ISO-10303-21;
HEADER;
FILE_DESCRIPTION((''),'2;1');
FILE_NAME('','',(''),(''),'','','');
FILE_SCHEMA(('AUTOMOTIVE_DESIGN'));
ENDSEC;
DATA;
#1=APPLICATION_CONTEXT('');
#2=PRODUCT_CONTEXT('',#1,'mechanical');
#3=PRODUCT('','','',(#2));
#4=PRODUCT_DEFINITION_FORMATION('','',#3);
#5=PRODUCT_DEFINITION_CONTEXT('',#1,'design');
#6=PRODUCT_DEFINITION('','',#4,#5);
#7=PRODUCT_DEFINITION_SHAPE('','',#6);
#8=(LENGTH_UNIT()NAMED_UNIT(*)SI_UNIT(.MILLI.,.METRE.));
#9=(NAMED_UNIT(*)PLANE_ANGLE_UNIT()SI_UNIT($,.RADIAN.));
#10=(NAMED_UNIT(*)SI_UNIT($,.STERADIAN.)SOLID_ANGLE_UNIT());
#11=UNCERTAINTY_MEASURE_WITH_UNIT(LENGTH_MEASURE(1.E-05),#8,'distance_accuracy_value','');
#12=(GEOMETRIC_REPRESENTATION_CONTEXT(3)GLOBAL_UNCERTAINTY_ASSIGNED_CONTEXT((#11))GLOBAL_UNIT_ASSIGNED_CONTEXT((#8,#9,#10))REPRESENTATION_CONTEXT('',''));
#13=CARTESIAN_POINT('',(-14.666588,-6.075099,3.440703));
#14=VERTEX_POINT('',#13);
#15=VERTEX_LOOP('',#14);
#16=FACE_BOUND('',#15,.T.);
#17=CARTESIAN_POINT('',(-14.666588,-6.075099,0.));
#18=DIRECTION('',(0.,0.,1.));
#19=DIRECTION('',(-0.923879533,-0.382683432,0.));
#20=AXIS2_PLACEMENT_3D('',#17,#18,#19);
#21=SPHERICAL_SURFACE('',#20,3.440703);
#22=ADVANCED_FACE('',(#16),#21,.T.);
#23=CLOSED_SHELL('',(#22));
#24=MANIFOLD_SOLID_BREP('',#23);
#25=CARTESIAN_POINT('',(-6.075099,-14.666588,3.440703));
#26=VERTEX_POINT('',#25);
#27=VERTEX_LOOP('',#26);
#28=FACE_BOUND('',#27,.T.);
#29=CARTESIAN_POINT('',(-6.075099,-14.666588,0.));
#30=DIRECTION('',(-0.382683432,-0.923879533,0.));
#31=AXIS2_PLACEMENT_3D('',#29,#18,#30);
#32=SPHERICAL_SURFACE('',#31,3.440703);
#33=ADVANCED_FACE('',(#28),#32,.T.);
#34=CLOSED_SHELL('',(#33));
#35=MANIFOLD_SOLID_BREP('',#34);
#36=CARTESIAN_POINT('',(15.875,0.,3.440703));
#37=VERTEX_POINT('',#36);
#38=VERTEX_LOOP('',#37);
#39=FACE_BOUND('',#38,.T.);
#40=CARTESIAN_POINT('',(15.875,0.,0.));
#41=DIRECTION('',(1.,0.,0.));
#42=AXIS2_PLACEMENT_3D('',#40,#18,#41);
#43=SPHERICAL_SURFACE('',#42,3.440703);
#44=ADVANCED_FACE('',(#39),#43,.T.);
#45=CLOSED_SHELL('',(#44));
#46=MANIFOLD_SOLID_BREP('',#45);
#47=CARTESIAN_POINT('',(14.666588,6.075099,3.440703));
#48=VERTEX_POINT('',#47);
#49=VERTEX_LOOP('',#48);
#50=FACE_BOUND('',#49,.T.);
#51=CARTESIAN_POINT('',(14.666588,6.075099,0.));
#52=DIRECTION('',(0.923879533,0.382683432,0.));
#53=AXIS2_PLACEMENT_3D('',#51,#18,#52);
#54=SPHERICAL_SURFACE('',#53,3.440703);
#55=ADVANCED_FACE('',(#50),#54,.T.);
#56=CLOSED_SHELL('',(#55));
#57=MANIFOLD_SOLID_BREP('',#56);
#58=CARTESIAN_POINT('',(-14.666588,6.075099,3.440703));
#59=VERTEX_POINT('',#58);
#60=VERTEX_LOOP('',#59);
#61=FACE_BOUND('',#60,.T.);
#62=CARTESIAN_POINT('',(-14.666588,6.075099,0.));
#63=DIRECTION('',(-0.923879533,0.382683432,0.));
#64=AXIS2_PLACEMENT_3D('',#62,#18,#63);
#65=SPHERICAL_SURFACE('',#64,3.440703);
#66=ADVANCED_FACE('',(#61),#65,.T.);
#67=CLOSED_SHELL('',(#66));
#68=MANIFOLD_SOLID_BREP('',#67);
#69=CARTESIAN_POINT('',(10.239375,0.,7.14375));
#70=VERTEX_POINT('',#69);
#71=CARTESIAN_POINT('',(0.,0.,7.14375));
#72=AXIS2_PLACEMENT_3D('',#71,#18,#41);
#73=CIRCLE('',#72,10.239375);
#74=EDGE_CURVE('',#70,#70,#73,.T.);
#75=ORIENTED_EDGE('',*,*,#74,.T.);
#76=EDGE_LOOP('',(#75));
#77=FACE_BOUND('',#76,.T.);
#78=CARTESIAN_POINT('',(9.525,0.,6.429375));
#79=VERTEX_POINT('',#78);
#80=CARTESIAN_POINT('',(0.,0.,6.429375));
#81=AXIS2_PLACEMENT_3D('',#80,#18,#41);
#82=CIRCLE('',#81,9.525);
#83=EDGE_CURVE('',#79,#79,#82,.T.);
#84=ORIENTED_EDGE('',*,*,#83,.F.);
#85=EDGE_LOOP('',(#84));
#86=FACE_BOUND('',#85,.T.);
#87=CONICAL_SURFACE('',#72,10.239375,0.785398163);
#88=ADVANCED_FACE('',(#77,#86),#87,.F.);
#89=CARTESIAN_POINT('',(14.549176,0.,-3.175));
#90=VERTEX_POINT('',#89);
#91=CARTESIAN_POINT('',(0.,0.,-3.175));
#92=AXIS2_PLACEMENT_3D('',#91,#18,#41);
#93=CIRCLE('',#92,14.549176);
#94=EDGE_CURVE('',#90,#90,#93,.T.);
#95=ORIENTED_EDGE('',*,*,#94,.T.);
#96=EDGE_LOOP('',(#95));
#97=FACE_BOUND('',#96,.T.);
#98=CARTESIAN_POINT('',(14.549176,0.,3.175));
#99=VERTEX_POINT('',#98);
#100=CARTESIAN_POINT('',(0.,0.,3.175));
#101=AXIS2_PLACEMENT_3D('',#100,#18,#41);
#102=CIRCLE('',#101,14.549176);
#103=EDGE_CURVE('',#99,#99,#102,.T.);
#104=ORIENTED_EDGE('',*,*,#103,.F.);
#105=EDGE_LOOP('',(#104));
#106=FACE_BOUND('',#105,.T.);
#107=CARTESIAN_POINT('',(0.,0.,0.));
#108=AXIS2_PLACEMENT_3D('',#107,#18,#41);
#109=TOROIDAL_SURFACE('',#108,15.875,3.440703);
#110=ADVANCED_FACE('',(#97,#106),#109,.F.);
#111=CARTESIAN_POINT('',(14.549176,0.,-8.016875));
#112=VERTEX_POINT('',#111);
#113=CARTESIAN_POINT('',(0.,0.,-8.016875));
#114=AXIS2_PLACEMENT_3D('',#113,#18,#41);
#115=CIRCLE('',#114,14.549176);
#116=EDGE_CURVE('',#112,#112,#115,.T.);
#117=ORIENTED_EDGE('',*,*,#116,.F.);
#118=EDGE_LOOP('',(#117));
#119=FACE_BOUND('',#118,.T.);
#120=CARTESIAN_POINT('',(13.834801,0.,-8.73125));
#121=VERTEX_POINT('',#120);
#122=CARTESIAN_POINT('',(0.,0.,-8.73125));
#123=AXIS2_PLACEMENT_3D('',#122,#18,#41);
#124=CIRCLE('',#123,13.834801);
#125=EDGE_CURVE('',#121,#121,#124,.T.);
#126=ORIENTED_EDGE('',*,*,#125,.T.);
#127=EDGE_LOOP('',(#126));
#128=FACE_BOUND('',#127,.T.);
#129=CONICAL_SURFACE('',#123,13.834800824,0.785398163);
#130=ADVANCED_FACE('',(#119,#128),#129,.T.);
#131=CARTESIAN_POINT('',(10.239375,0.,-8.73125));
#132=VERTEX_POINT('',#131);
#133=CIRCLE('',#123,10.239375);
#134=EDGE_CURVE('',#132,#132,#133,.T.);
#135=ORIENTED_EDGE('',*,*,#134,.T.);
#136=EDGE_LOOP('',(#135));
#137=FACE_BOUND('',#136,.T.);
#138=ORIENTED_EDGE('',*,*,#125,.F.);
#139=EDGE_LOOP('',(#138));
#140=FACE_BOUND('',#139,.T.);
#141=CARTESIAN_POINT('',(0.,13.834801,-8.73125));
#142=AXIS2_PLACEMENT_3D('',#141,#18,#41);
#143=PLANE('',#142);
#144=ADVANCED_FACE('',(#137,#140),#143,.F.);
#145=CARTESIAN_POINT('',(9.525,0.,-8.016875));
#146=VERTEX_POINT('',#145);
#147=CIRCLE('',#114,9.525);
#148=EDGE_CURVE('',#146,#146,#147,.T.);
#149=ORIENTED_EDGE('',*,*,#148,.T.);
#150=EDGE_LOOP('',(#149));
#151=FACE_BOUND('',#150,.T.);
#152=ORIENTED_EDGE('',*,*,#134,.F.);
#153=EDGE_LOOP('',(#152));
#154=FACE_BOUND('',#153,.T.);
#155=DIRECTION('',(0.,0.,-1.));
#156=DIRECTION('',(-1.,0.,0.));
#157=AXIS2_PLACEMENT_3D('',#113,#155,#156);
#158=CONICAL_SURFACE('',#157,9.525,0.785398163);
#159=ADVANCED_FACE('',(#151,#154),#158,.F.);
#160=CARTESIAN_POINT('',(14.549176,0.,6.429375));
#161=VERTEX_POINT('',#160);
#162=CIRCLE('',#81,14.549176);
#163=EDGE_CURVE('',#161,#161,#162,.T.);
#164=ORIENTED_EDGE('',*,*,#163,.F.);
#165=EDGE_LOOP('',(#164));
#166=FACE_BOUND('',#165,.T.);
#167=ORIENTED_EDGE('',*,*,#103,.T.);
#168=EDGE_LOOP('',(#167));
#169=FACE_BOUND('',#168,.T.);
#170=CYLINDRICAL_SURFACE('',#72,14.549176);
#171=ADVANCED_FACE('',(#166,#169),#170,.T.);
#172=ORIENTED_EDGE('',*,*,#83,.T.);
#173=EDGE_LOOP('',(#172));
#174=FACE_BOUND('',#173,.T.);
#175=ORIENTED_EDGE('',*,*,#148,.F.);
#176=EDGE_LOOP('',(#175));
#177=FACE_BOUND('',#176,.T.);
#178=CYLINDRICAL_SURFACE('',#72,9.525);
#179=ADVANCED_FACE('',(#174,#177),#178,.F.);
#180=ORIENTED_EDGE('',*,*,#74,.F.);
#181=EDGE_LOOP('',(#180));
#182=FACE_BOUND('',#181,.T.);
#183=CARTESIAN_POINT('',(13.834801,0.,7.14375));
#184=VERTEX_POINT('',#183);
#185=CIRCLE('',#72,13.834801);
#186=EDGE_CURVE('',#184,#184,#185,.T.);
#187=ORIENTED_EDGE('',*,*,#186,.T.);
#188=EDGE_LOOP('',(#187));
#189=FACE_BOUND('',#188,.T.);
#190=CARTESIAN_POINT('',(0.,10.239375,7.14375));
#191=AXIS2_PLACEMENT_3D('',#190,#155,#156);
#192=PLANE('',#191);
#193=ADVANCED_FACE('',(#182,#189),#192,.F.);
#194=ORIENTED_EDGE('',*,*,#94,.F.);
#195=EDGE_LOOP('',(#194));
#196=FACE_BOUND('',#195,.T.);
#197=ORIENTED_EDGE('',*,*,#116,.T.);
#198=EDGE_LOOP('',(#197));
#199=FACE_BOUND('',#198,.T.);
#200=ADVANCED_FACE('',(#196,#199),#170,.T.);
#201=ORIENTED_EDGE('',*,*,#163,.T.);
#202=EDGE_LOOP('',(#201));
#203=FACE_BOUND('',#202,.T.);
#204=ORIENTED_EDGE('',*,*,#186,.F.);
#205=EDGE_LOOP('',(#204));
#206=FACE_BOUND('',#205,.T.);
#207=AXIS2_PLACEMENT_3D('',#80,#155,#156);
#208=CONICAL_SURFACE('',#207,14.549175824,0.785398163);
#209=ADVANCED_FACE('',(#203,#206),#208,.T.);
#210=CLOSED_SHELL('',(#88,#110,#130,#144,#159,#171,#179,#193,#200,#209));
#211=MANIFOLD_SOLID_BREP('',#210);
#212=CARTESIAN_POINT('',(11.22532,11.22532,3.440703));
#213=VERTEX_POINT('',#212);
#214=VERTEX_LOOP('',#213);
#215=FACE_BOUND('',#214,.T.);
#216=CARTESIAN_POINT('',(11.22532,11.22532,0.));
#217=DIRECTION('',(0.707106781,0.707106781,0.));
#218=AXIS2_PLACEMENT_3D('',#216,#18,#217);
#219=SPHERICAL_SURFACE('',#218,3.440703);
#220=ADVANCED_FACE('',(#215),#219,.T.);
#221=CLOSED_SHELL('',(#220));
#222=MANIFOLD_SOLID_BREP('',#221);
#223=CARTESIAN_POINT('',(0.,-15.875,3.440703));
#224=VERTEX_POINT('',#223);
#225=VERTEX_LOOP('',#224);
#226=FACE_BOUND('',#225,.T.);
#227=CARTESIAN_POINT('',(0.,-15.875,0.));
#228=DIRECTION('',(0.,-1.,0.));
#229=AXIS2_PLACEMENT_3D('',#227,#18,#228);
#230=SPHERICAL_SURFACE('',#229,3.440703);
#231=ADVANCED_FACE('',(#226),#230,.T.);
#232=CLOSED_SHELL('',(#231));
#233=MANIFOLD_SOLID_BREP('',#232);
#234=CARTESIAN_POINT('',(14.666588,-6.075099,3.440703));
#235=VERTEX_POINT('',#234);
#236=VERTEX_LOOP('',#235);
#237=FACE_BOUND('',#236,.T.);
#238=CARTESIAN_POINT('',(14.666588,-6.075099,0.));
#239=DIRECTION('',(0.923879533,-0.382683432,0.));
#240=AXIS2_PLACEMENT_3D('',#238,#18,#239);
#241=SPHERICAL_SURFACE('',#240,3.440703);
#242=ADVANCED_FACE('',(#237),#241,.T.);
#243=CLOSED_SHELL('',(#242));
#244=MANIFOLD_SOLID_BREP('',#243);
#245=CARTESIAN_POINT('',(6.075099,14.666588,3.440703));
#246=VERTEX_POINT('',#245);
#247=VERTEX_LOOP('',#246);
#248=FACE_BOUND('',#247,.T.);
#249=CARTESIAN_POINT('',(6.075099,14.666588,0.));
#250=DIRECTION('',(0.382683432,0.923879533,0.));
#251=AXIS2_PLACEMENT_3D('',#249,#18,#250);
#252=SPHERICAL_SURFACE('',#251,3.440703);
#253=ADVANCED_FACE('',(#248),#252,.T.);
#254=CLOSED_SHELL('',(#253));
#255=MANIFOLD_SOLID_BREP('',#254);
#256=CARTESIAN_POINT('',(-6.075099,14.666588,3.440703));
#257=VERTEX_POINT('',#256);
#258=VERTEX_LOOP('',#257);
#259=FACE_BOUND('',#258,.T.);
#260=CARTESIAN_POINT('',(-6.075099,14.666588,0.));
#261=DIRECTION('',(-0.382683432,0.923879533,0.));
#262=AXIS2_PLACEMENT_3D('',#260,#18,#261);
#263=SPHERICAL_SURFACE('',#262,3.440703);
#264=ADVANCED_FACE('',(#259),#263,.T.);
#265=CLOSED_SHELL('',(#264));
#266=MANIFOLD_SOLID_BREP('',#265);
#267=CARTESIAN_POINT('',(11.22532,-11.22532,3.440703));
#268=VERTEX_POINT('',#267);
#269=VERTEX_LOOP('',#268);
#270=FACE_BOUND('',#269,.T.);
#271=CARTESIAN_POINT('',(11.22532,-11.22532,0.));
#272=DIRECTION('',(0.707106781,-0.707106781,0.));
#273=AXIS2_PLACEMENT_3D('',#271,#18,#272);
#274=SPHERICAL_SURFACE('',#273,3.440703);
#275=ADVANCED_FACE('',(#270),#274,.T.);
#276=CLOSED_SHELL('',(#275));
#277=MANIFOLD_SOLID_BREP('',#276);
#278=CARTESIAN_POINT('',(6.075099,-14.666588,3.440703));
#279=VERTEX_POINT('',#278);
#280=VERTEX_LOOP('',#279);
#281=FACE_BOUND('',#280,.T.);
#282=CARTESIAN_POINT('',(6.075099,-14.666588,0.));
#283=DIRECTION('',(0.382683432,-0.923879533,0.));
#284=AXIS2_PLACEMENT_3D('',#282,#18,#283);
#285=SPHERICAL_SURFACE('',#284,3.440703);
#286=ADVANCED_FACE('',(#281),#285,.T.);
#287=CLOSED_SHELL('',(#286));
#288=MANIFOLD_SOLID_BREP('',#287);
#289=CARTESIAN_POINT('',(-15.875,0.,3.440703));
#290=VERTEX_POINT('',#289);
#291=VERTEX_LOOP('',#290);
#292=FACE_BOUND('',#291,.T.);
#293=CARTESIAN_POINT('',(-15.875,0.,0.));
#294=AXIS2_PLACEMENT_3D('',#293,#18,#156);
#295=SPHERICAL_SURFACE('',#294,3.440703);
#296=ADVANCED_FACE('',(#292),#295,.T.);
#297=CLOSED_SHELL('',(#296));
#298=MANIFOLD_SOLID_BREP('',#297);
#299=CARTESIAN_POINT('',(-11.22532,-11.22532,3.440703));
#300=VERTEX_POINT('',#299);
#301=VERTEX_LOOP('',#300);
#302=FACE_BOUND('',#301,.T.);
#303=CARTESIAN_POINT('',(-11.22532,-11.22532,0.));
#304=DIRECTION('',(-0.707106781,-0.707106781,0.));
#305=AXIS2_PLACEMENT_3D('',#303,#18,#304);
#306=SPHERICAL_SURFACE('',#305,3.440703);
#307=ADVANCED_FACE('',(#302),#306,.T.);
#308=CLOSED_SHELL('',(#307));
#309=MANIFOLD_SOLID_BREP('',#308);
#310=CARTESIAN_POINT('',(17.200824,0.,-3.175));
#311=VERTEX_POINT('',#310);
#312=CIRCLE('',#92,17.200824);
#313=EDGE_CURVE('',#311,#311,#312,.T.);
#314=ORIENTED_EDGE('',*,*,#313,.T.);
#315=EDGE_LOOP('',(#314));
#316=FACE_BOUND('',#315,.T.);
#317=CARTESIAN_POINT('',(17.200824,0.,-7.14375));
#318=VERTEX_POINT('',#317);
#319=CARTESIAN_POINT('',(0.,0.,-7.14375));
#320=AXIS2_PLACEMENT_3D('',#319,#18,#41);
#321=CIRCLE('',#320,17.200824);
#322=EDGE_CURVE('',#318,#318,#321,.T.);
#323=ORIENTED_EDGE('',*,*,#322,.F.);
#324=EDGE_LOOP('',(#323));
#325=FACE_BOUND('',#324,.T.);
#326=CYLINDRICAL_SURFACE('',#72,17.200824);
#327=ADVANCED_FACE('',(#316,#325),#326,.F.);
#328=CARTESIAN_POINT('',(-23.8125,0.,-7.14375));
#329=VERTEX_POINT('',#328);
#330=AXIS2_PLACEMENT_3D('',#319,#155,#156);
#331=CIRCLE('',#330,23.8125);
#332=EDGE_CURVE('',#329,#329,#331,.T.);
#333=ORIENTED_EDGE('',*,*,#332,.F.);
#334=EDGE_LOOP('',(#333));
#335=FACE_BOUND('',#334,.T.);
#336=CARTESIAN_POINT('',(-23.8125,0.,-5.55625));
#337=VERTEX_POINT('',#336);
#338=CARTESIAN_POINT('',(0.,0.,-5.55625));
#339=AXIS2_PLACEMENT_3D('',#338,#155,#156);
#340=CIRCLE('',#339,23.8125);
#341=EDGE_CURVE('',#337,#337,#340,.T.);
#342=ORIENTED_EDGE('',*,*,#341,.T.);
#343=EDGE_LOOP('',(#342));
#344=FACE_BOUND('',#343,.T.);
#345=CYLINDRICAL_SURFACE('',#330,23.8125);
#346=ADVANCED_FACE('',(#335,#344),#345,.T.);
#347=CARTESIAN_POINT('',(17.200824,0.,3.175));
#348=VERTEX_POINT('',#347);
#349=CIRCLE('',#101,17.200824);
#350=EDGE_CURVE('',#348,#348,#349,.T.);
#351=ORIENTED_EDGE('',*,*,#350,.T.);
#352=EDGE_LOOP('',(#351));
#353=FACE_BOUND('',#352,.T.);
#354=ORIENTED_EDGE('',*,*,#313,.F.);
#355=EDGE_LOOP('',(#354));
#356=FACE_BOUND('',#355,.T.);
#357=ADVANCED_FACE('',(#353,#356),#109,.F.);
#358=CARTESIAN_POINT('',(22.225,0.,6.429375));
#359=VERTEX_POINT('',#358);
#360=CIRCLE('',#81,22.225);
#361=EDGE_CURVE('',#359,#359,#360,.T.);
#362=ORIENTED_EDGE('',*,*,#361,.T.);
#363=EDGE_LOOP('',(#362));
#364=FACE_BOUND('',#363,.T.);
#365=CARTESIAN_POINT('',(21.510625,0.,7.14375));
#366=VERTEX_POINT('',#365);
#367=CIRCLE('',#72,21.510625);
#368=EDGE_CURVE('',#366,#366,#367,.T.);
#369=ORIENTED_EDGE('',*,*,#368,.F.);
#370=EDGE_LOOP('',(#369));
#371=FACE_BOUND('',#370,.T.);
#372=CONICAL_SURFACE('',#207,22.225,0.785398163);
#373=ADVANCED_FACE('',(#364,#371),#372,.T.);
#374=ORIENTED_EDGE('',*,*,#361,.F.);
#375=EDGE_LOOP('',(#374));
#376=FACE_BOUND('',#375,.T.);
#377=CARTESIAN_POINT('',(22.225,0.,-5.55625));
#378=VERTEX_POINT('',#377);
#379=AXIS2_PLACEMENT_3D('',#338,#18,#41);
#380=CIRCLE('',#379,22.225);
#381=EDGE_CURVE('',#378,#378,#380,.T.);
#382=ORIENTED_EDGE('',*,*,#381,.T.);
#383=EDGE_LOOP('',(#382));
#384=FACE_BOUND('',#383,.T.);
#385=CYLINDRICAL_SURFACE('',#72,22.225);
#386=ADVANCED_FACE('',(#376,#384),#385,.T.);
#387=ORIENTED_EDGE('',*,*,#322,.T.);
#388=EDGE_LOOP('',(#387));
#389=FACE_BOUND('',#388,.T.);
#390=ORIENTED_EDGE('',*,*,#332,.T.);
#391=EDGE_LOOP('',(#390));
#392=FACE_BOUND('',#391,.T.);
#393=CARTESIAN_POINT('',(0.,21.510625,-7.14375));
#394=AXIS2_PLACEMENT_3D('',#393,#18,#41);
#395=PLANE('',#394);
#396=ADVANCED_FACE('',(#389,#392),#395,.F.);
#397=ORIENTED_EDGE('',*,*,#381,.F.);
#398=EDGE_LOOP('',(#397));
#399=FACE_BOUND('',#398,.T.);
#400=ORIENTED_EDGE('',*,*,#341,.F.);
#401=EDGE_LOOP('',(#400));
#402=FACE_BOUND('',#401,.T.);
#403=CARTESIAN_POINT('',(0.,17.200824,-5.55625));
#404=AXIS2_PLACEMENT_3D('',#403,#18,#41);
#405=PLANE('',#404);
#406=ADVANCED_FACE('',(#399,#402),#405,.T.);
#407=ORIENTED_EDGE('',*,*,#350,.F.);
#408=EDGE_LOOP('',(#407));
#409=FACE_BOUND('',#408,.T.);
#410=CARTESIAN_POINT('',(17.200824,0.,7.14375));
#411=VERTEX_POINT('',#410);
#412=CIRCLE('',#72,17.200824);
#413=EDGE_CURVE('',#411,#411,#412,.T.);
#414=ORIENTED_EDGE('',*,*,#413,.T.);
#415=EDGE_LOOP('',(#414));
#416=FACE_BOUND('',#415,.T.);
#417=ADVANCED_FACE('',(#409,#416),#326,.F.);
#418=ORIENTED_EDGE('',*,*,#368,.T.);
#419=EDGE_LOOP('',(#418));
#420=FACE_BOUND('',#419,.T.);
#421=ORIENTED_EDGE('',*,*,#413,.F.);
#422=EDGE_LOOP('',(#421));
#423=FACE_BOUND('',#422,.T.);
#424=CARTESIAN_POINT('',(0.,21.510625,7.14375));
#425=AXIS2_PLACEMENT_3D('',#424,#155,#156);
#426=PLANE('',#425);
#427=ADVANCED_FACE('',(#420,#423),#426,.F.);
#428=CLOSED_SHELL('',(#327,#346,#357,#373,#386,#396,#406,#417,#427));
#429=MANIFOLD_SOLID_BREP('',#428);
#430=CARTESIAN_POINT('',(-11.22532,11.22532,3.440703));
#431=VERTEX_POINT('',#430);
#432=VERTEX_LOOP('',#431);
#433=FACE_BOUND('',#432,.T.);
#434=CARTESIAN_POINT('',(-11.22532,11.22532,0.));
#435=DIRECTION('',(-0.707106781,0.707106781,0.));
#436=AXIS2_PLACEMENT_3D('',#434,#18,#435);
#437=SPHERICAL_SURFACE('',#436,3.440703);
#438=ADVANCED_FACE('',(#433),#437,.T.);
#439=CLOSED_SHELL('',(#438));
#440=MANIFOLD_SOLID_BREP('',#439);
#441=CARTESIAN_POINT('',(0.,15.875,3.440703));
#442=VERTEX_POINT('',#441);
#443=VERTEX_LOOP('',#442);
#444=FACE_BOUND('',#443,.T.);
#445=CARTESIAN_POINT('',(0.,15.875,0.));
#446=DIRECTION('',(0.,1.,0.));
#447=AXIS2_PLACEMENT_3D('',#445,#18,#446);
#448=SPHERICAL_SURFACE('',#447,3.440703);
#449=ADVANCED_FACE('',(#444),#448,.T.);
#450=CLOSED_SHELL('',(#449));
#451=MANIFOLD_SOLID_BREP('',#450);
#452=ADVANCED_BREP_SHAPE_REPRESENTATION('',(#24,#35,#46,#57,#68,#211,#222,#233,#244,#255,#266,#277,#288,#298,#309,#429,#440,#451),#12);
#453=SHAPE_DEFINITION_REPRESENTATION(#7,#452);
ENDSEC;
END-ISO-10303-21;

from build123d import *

# Parameters (mm, degrees)
CIRPATTERN1_COUNT = 16
SKETCH6_W         = 1.5875
SKETCH6_H         = 6.611675824


with BuildPart() as part:
    # Sketch1 → Revolve1 (revolve)
    with BuildSketch(Plane(origin=(0, 0, 0), x_dir=(0, 0, -1), z_dir=(1, 0, 0))):
        with BuildLine():
            Line((6.429375, 22.225), (-6.429375, 22.225))
            Line((-6.429375, 22.225), (-7.14375, 21.510625))
            Line((-7.14375, 21.510625), (-7.14375, 17.200824176))
            Line((-7.14375, 17.200824176), (-3.175, 17.200824176))
            ThreePointArc((-3.175, 17.200824176), (0, 19.315702653), (3.175, 17.200824176))
            Line((3.175, 17.200824176), (7.14375, 17.200824176))
            Line((7.14375, 17.200824176), (7.14375, 21.510625))
            Line((7.14375, 21.510625), (6.429375, 22.225))
        make_face()
    revolve(axis=Axis((0, 0, 7.14375), (0, 0, -1)))

    # Sketch6 → Revolve6 (revolve)
    with BuildSketch(Plane(origin=(0, 0, 0), x_dir=(0, 0, -1), z_dir=(1, 0, 0))):
        with Locations((6.35, 20.506662088)):
            Rectangle(SKETCH6_W, SKETCH6_H)
    revolve(axis=Axis((0, 0, -7.14375), (0, 0, 1)))


with BuildPart() as body_2:
    # Sketch3 → Revolve3 (revolve)
    with BuildSketch(Plane(origin=(0, 0, 0), x_dir=(0, 0, -1), z_dir=(1, 0, 0))):
        with BuildLine():
            Line((-7.14375, 10.239375), (-7.14375, 13.834800824))
            Line((-7.14375, 13.834800824), (-6.429375, 14.549175824))
            Line((-6.429375, 14.549175824), (-3.175, 14.549175824))
            ThreePointArc((-3.175, 14.549175824), (0, 12.434297347), (3.175, 14.549175824))
            Line((3.175, 14.549175824), (8.016875, 14.549175824))
            Line((8.016875, 14.549175824), (8.73125, 13.834800824))
            Line((8.73125, 13.834800824), (8.73125, 10.239375))
            Line((8.73125, 10.239375), (8.016875, 9.525))
            Line((8.016875, 9.525), (-6.429375, 9.525))
            Line((-6.429375, 9.525), (-7.14375, 10.239375))
        make_face()
    revolve(axis=Axis((0, 0, 7.14375), (0, 0, -1)))


with BuildPart() as body_3:
    # Sketch4 → Revolve4 (revolve)
    with BuildSketch(Plane(origin=(0, 0, 0), x_dir=(0, 0, -1), z_dir=(1, 0, 0))):
        with BuildLine():
            Line((-3.440702653, 15.875), (3.440702653, 15.875))
            ThreePointArc((3.440702653, 15.875), (0, 19.315702653), (-3.440702653, 15.875))
        make_face()
    revolve(axis=Axis((0, 15.875, 3.440702653), (0, 0, -1)))


with BuildPart() as cirpattern1_1:
    # CirPattern1: pattern copy
    add(body_3.part.rotate(Axis((0, 0, -7.14375), (0, 0, 1)), 1 * 360 / CIRPATTERN1_COUNT))


with BuildPart() as cirpattern1_2:
    # CirPattern1: pattern copy
    add(body_3.part.rotate(Axis((0, 0, -7.14375), (0, 0, 1)), 2 * 360 / CIRPATTERN1_COUNT))


with BuildPart() as cirpattern1_3:
    # CirPattern1: pattern copy
    add(body_3.part.rotate(Axis((0, 0, -7.14375), (0, 0, 1)), 3 * 360 / CIRPATTERN1_COUNT))


with BuildPart() as cirpattern1_4:
    # CirPattern1: pattern copy
    add(body_3.part.rotate(Axis((0, 0, -7.14375), (0, 0, 1)), 4 * 360 / CIRPATTERN1_COUNT))


with BuildPart() as cirpattern1_5:
    # CirPattern1: pattern copy
    add(body_3.part.rotate(Axis((0, 0, -7.14375), (0, 0, 1)), 5 * 360 / CIRPATTERN1_COUNT))


with BuildPart() as cirpattern1_6:
    # CirPattern1: pattern copy
    add(body_3.part.rotate(Axis((0, 0, -7.14375), (0, 0, 1)), 6 * 360 / CIRPATTERN1_COUNT))


with BuildPart() as cirpattern1_7:
    # CirPattern1: pattern copy
    add(body_3.part.rotate(Axis((0, 0, -7.14375), (0, 0, 1)), 7 * 360 / CIRPATTERN1_COUNT))


with BuildPart() as cirpattern1_8:
    # CirPattern1: pattern copy
    add(body_3.part.rotate(Axis((0, 0, -7.14375), (0, 0, 1)), 8 * 360 / CIRPATTERN1_COUNT))


with BuildPart() as cirpattern1_9:
    # CirPattern1: pattern copy
    add(body_3.part.rotate(Axis((0, 0, -7.14375), (0, 0, 1)), 9 * 360 / CIRPATTERN1_COUNT))


with BuildPart() as cirpattern1_10:
    # CirPattern1: pattern copy
    add(body_3.part.rotate(Axis((0, 0, -7.14375), (0, 0, 1)), 10 * 360 / CIRPATTERN1_COUNT))


with BuildPart() as cirpattern1_11:
    # CirPattern1: pattern copy
    add(body_3.part.rotate(Axis((0, 0, -7.14375), (0, 0, 1)), 11 * 360 / CIRPATTERN1_COUNT))


with BuildPart() as cirpattern1_12:
    # CirPattern1: pattern copy
    add(body_3.part.rotate(Axis((0, 0, -7.14375), (0, 0, 1)), 12 * 360 / CIRPATTERN1_COUNT))


with BuildPart() as cirpattern1_13:
    # CirPattern1: pattern copy
    add(body_3.part.rotate(Axis((0, 0, -7.14375), (0, 0, 1)), 13 * 360 / CIRPATTERN1_COUNT))


with BuildPart() as cirpattern1_14:
    # CirPattern1: pattern copy
    add(body_3.part.rotate(Axis((0, 0, -7.14375), (0, 0, 1)), 14 * 360 / CIRPATTERN1_COUNT))


with BuildPart() as cirpattern1_15:
    # CirPattern1: pattern copy
    add(body_3.part.rotate(Axis((0, 0, -7.14375), (0, 0, 1)), 15 * 360 / CIRPATTERN1_COUNT))


solid = Compound([part.part, body_2.part, body_3.part, cirpattern1_1.part, cirpattern1_2.part, cirpattern1_3.part, cirpattern1_4.part, cirpattern1_5.part, cirpattern1_6.part, cirpattern1_7.part, cirpattern1_8.part, cirpattern1_9.part, cirpattern1_10.part, cirpattern1_11.part, cirpattern1_12.part, cirpattern1_13.part, cirpattern1_14.part, cirpattern1_15.part])
